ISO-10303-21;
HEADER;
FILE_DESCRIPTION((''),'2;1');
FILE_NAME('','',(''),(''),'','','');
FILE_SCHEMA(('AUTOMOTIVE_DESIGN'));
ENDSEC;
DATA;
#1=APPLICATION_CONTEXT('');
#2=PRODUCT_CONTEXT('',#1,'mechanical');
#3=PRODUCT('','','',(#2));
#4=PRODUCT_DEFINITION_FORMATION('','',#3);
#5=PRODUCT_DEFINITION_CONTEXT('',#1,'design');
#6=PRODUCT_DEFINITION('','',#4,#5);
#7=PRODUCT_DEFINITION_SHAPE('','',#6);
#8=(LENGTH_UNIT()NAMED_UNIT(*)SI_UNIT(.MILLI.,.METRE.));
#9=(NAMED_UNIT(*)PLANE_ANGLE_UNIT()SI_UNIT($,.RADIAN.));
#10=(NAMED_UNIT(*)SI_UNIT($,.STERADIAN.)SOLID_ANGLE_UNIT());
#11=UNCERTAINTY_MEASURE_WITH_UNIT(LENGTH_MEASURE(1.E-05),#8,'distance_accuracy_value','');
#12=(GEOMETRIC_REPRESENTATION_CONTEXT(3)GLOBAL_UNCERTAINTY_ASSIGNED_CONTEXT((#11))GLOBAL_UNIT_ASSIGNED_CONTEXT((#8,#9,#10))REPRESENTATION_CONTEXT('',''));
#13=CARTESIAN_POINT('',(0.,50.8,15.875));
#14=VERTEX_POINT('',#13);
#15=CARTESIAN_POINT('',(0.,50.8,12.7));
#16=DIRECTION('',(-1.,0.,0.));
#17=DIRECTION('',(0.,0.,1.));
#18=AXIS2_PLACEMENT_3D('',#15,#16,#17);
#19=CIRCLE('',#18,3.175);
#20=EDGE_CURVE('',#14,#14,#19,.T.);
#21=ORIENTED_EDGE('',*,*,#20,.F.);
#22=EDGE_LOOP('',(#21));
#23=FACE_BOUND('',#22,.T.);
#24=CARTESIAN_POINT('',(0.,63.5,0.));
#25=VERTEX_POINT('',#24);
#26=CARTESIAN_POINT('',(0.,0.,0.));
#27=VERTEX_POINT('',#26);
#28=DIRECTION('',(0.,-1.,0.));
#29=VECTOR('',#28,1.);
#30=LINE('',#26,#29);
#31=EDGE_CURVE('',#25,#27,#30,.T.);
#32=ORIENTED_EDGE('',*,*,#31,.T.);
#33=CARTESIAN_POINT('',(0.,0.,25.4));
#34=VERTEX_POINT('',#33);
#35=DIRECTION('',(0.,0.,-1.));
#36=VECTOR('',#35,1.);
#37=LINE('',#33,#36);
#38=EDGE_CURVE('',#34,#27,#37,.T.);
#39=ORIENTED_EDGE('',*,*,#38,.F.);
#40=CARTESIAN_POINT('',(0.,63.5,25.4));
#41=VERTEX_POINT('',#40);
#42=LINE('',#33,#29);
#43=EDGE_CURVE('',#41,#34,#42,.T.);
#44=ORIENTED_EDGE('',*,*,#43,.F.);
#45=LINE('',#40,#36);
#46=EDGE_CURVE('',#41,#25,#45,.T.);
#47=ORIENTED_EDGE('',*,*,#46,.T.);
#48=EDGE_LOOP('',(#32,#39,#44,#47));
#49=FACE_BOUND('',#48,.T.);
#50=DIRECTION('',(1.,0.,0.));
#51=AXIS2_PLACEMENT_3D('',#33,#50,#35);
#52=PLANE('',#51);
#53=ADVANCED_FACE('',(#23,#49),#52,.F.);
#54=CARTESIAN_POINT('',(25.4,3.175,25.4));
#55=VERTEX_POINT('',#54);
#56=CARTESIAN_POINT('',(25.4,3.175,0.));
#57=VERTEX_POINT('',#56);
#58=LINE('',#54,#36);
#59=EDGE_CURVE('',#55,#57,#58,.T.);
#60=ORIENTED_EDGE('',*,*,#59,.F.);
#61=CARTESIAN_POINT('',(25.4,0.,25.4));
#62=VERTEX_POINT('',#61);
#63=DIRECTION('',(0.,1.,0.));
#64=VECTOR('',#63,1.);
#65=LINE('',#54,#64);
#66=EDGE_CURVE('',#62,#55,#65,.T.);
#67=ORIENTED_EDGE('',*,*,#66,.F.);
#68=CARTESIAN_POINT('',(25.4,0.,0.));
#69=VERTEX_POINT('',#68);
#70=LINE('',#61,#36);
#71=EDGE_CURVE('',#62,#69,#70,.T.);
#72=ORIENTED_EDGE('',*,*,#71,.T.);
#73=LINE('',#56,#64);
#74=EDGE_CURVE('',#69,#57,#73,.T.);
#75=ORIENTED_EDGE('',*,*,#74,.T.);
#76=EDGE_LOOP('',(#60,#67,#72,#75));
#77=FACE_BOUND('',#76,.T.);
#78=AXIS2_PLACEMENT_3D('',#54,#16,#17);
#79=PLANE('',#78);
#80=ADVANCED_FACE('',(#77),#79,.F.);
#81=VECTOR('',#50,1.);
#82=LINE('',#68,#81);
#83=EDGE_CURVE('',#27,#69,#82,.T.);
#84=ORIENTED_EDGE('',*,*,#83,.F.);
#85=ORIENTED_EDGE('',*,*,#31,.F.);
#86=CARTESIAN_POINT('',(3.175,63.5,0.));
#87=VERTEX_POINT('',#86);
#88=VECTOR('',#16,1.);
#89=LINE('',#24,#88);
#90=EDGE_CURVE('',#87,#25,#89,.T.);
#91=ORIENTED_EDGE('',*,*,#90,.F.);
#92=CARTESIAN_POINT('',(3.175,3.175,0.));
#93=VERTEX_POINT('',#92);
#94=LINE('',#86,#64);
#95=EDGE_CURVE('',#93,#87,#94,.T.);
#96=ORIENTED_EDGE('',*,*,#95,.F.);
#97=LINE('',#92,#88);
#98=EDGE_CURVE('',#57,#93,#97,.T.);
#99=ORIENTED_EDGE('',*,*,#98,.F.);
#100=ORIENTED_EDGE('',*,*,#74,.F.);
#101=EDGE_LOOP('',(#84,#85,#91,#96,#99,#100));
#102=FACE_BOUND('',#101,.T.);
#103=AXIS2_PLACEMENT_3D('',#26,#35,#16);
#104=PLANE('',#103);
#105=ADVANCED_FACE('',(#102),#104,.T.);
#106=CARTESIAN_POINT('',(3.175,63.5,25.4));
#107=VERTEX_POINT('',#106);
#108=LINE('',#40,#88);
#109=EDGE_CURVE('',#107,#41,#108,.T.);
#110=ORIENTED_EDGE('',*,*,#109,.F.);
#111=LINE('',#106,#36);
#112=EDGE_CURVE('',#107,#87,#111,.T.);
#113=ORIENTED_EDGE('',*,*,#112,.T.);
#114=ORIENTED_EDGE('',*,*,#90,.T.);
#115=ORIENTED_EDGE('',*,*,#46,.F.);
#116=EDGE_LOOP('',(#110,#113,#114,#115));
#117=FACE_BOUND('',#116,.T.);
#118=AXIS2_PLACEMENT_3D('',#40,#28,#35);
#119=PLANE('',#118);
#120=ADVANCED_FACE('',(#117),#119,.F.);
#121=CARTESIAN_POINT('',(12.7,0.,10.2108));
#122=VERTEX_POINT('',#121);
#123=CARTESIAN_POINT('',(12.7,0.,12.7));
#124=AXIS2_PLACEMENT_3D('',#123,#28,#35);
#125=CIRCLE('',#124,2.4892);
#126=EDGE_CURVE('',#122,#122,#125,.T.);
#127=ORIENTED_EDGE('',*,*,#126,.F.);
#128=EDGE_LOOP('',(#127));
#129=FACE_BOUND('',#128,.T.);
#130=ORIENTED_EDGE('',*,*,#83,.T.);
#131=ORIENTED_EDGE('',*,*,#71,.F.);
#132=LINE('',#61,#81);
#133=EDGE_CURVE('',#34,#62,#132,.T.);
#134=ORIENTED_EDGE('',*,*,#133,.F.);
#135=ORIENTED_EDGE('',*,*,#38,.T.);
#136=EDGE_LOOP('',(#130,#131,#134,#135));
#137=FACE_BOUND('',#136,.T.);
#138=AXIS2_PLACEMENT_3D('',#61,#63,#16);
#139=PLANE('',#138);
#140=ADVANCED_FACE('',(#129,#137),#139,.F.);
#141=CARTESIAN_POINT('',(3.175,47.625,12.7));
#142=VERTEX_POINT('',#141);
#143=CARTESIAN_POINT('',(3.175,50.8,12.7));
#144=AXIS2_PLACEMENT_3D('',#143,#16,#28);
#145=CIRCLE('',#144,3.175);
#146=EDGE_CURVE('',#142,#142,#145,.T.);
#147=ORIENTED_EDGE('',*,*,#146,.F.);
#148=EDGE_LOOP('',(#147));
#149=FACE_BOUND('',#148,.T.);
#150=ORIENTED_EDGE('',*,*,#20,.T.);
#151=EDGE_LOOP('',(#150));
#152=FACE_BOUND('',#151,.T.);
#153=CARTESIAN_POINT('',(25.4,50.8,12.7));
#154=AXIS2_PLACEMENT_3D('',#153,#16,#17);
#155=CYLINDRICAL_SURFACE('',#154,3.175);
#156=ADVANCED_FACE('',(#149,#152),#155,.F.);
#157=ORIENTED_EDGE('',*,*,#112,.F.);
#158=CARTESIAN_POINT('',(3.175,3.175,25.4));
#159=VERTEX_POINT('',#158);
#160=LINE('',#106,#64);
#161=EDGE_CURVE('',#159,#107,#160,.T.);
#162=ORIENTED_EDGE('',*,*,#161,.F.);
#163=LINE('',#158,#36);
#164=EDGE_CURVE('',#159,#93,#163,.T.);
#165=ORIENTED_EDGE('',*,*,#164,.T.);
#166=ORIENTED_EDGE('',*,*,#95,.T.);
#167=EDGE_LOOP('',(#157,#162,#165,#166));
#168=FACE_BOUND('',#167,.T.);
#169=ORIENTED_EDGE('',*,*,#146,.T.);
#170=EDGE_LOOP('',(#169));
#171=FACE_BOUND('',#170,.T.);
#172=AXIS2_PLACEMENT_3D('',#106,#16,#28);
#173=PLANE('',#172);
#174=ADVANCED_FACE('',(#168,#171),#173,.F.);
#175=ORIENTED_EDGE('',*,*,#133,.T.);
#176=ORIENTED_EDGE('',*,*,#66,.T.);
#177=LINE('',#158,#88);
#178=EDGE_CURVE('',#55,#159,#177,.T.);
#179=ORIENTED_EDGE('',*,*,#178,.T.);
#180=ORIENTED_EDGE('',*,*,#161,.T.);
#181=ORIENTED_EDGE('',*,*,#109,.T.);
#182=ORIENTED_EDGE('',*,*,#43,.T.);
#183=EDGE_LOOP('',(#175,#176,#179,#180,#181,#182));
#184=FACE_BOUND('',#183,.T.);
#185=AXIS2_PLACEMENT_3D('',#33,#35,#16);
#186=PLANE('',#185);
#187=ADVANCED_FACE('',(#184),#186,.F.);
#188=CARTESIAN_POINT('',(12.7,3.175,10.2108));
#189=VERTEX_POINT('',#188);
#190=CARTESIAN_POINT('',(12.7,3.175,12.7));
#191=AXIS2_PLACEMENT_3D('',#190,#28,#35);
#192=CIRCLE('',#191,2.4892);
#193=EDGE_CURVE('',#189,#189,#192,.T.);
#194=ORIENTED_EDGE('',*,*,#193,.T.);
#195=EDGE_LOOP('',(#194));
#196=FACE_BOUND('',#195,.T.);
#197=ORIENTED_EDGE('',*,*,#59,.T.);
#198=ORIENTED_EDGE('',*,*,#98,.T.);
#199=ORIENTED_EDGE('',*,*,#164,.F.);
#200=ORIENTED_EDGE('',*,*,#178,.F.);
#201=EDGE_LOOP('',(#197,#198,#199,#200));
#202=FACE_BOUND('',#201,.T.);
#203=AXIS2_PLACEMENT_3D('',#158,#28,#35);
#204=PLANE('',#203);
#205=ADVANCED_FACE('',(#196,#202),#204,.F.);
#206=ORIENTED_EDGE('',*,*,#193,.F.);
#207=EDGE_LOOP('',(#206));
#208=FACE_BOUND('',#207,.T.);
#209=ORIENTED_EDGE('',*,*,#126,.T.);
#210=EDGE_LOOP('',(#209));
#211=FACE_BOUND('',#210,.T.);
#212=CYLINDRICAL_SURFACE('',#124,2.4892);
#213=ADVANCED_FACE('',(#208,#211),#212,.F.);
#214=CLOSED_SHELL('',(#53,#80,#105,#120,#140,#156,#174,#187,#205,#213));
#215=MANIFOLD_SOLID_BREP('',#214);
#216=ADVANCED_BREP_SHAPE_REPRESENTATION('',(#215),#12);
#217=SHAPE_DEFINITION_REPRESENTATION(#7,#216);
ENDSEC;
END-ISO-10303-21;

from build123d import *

# Parameters (mm, degrees)
BOSS_EXTRUDE1_DEPTH            = 25.4
SKETCH2_R                      = 3.175
CUT_EXTRUDE1_DEPTH             = 26.4
F_9_0_196_DIAMETER_HOLE1_D     = 4.9784
F_9_0_196_DIAMETER_HOLE1_DEPTH = 3.175


with BuildPart() as part:
    # Sketch1 → Boss-Extrude1 (new body)
    with BuildSketch(Plane.XY):
        Polygon((0, 0), (0, 63.5), (3.175, 63.5), (3.175, 3.175), (25.4, 3.175), (25.4, 0), align=None)
    extrude(amount=BOSS_EXTRUDE1_DEPTH)

    # Sketch2 → Cut-Extrude1 (cut, through all)
    with BuildSketch(Plane.ZY):
        with Locations((12.7, 50.8)):
            Circle(SKETCH2_R)
    extrude(amount=-CUT_EXTRUDE1_DEPTH, mode=Mode.SUBTRACT)

    # #9 (0.196) Diameter Hole1
    with Locations(Plane(origin=(0, 0, 0), x_dir=(-1, 0, 0), z_dir=(0, -1, 0))):
        with Locations((-12.7, -12.7)):
            Hole(F_9_0_196_DIAMETER_HOLE1_D / 2, depth=F_9_0_196_DIAMETER_HOLE1_DEPTH)


solid = part.part
